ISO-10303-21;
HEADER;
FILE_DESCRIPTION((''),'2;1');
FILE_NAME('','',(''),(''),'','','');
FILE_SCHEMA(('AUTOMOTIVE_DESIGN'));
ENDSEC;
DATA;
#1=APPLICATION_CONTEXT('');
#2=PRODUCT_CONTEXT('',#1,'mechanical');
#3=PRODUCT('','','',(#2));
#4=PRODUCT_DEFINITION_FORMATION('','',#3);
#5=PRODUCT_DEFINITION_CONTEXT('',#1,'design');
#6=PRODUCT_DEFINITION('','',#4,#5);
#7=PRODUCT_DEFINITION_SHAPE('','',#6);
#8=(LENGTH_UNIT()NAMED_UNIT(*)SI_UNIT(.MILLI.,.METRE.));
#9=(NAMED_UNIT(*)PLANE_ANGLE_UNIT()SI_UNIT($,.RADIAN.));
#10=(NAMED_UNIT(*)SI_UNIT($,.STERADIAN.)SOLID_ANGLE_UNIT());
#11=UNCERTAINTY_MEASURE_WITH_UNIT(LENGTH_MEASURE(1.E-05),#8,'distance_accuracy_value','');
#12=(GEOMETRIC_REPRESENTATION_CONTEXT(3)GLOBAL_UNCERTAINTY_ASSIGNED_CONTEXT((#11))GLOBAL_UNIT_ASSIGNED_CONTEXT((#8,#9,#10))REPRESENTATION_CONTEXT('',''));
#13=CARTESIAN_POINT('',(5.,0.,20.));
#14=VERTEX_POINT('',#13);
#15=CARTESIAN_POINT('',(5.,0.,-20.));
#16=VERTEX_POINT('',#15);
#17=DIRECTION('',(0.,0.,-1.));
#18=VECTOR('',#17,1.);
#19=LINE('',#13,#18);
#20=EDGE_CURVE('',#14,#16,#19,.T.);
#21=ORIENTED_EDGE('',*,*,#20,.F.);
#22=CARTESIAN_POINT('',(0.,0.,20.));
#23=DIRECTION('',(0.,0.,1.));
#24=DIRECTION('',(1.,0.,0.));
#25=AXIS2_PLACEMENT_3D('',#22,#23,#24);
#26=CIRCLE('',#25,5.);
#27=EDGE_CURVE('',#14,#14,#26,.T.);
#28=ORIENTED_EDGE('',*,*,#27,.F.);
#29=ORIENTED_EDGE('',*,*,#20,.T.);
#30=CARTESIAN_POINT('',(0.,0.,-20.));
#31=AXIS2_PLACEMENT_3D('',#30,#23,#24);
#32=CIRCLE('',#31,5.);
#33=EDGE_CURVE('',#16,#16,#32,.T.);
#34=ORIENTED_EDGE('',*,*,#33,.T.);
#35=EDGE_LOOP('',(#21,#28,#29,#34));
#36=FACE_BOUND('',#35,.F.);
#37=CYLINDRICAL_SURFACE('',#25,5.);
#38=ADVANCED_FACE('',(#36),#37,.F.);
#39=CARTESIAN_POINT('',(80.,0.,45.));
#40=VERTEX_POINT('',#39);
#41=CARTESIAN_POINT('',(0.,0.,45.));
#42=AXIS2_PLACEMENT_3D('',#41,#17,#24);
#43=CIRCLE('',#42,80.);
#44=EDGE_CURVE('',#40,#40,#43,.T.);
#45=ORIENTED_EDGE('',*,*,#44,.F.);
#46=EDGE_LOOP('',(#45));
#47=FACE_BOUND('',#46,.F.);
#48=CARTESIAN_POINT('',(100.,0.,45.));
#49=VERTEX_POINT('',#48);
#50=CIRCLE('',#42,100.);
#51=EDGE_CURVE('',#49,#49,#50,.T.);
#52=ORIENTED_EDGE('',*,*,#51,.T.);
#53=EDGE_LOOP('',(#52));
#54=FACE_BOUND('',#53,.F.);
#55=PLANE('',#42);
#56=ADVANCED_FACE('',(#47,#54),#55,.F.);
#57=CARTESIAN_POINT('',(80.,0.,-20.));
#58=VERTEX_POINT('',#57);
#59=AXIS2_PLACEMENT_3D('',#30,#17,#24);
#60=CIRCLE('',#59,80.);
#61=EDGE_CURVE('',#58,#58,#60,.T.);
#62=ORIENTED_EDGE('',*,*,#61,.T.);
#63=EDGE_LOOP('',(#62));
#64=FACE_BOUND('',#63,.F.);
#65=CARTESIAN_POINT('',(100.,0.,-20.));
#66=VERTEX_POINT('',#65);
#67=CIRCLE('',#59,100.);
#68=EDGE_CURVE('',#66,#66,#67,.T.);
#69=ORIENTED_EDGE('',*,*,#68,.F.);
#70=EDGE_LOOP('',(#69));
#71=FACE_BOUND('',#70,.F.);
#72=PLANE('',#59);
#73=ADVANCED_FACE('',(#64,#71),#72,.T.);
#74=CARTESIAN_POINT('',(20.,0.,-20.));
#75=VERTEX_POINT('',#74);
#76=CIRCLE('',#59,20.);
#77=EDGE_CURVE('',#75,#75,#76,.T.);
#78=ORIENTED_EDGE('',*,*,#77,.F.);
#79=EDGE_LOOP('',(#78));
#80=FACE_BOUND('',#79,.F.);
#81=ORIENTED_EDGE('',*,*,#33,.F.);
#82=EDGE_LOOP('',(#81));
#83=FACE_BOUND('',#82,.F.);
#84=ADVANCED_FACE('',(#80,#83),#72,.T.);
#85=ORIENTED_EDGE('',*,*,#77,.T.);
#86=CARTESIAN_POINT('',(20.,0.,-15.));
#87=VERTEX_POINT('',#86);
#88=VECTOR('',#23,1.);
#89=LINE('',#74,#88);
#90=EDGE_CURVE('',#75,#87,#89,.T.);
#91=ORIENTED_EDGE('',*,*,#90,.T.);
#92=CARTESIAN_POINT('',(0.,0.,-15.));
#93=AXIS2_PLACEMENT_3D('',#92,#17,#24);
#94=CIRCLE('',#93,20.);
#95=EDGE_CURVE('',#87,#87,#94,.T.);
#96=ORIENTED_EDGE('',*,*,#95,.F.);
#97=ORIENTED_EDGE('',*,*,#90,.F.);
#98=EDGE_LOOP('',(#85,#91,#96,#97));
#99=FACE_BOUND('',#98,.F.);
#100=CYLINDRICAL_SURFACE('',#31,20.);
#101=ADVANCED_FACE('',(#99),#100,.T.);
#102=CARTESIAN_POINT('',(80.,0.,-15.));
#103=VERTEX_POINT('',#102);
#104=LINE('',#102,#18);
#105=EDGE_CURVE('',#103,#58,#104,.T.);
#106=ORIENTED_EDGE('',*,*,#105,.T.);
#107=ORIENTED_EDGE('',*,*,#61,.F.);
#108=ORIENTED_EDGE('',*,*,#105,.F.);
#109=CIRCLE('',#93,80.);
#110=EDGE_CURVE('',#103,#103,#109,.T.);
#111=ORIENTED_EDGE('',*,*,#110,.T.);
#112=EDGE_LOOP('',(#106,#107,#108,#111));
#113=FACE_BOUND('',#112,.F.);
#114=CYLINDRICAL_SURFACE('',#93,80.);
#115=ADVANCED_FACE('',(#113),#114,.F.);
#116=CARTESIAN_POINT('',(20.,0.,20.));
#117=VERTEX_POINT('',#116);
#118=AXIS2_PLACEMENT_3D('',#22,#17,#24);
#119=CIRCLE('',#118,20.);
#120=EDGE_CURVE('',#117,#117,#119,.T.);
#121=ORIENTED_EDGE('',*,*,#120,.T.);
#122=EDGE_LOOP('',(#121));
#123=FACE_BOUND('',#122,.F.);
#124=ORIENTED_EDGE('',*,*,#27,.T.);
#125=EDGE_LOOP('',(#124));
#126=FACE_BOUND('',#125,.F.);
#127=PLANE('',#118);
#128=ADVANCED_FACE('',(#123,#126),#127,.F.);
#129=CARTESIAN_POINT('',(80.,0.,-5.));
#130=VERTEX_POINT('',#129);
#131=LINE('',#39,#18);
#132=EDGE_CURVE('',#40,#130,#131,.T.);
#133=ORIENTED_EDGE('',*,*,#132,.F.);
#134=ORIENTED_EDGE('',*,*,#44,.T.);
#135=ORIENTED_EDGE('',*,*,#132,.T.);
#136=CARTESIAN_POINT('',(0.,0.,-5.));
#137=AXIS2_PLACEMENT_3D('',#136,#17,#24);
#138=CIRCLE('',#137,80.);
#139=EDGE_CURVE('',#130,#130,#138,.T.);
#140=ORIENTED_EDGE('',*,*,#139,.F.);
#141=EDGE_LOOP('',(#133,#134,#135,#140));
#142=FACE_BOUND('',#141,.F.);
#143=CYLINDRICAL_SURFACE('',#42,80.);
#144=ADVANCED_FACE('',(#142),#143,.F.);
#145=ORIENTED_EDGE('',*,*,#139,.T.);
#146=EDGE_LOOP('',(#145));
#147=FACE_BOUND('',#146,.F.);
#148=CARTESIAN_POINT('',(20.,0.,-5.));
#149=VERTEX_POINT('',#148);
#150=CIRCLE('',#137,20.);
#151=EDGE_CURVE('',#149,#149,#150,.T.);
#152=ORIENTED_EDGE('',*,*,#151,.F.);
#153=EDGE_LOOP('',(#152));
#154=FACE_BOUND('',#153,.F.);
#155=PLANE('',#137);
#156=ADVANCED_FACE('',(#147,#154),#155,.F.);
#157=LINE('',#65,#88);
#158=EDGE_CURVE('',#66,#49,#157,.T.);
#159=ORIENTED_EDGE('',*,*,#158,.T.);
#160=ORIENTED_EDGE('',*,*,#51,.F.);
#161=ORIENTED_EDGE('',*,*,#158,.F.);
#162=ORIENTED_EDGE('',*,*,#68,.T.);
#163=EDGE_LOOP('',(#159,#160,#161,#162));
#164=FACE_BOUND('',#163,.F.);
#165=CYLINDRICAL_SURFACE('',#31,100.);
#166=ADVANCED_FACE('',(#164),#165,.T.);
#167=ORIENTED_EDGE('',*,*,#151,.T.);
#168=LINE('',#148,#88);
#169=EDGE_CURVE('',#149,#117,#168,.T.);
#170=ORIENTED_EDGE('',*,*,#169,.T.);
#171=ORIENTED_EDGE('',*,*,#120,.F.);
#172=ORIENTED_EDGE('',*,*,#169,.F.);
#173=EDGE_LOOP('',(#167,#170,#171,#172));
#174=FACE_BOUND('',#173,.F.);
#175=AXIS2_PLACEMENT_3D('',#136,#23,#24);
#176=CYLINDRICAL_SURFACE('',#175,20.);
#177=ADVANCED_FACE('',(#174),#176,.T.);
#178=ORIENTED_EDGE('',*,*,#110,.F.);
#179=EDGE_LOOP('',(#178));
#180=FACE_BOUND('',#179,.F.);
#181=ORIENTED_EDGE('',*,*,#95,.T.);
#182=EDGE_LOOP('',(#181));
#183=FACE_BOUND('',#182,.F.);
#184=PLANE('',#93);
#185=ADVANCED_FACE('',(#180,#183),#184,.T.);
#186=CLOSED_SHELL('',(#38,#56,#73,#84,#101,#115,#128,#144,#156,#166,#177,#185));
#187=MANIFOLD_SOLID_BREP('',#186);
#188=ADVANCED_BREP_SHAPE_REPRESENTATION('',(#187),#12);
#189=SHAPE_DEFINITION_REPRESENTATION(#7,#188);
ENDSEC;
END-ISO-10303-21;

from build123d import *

# Parameters (mm, degrees)
F2_R     = 5
F3_DEPTH = 40.001


with BuildPart() as f1:
    # F0 (on Front) → F1 (revolve)
    with BuildSketch(Plane.XZ):
        Polygon((20, 20), (0, 20), (0, -20), (20, -20), (20, -15), (80, -15), (80, -20), (100, -20), (100, 45), (80, 45), (80, -5), (20, -5), align=None)
    revolve(axis=Axis((0, 0, 0), (0, 0, -1)))

    # F2 (on face) → F3 (cut, through all)
    with BuildSketch(Plane.XY.offset(20)):
        Circle(F2_R)
    extrude(amount=-F3_DEPTH, mode=Mode.SUBTRACT)


solid = f1.part
